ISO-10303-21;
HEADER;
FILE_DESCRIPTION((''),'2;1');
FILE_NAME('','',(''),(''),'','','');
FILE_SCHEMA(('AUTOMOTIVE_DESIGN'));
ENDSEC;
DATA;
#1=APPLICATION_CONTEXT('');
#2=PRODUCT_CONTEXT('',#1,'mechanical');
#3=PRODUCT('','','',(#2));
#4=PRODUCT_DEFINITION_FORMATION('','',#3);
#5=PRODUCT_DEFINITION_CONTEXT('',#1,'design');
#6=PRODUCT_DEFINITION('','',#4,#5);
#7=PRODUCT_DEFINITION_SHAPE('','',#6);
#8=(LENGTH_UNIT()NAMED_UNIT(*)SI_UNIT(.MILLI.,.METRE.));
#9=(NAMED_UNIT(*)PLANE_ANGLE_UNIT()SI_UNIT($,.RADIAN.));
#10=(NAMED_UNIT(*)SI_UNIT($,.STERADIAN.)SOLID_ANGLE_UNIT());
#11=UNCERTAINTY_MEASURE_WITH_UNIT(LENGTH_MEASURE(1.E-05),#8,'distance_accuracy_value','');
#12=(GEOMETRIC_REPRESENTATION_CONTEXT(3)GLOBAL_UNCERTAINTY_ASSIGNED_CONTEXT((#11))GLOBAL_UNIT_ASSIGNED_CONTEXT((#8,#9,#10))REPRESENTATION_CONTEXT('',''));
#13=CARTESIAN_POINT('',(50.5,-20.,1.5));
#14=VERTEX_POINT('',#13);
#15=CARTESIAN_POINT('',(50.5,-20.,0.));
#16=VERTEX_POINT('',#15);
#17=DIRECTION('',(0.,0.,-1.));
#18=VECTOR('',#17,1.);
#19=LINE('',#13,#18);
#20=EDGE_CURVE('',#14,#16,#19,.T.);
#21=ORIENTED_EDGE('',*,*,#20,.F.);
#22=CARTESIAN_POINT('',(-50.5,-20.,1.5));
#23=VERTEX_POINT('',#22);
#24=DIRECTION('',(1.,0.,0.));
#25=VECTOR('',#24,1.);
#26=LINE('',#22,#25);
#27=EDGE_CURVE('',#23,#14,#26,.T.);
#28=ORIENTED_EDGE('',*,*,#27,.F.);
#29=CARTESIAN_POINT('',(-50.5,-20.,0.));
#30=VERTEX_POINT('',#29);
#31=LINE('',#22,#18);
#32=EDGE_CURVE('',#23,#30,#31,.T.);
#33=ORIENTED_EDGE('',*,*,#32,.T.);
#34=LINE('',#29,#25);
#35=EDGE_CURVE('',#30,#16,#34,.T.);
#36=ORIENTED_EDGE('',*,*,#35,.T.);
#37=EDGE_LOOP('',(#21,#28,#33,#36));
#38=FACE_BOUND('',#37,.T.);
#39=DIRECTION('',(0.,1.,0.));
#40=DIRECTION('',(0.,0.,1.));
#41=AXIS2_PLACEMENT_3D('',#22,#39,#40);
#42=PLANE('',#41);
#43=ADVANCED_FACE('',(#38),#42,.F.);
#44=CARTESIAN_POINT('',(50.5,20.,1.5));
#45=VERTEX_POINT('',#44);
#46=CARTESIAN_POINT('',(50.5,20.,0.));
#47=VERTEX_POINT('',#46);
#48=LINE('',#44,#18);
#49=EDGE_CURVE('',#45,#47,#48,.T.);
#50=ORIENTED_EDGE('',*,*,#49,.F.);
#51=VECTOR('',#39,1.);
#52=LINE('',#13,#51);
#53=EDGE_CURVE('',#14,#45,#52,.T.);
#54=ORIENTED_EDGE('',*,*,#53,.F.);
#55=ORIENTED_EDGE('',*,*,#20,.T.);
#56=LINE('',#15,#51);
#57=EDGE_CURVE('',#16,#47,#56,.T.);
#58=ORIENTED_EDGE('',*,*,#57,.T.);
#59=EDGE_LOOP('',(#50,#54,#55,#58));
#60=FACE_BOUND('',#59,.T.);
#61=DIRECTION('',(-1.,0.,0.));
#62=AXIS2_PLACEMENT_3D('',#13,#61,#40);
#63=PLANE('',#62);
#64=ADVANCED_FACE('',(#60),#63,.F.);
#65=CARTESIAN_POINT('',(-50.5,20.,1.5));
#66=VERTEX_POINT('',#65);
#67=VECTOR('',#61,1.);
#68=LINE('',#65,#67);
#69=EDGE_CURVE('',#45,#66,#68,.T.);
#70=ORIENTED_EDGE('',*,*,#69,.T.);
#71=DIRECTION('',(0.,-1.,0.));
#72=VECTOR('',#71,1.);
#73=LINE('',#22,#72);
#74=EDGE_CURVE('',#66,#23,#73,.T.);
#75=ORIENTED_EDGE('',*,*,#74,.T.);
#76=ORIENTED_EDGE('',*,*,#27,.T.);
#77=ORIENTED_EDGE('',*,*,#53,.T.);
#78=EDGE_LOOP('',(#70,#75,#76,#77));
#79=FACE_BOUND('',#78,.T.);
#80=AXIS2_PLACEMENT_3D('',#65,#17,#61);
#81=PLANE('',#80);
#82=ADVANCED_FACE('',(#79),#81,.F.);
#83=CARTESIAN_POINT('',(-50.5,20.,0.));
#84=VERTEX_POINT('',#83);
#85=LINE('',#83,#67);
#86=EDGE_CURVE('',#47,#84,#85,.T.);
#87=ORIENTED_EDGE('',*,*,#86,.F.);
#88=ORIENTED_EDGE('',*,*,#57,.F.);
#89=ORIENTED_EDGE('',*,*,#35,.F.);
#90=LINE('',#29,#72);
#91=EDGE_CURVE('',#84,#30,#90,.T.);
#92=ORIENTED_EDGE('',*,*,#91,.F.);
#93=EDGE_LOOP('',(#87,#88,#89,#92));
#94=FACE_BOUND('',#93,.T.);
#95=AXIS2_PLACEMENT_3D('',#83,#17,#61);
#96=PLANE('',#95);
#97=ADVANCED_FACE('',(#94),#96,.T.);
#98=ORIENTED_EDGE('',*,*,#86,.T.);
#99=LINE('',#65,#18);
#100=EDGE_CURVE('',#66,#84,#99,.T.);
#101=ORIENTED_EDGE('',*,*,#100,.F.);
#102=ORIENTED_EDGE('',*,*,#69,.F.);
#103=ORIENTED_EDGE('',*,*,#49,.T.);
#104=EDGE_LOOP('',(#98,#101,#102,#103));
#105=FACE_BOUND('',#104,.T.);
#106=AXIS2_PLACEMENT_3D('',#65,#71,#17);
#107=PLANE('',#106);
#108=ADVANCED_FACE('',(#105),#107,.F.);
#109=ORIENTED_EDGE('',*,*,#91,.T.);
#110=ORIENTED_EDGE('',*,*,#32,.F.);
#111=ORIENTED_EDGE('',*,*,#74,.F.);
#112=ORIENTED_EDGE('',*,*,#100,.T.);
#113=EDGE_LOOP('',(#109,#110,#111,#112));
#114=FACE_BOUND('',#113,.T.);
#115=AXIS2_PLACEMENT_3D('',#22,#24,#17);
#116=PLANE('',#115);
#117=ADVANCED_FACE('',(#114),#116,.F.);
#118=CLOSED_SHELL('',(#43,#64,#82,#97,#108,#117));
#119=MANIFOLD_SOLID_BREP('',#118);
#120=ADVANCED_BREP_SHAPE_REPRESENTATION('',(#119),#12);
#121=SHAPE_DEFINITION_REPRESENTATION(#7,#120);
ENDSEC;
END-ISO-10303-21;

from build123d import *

# Parameters (mm, degrees)
SKETCH_1_W      = 101
SKETCH_1_H      = 40
EXTRUDE_1_DEPTH = 1.5


with BuildPart() as part:
    # Эскиз1 → Бобышка-Вытянуть1 (new body)
    with BuildSketch(Plane.XY):
        Rectangle(SKETCH_1_W, SKETCH_1_H)
    extrude(amount=EXTRUDE_1_DEPTH)


solid = part.part
